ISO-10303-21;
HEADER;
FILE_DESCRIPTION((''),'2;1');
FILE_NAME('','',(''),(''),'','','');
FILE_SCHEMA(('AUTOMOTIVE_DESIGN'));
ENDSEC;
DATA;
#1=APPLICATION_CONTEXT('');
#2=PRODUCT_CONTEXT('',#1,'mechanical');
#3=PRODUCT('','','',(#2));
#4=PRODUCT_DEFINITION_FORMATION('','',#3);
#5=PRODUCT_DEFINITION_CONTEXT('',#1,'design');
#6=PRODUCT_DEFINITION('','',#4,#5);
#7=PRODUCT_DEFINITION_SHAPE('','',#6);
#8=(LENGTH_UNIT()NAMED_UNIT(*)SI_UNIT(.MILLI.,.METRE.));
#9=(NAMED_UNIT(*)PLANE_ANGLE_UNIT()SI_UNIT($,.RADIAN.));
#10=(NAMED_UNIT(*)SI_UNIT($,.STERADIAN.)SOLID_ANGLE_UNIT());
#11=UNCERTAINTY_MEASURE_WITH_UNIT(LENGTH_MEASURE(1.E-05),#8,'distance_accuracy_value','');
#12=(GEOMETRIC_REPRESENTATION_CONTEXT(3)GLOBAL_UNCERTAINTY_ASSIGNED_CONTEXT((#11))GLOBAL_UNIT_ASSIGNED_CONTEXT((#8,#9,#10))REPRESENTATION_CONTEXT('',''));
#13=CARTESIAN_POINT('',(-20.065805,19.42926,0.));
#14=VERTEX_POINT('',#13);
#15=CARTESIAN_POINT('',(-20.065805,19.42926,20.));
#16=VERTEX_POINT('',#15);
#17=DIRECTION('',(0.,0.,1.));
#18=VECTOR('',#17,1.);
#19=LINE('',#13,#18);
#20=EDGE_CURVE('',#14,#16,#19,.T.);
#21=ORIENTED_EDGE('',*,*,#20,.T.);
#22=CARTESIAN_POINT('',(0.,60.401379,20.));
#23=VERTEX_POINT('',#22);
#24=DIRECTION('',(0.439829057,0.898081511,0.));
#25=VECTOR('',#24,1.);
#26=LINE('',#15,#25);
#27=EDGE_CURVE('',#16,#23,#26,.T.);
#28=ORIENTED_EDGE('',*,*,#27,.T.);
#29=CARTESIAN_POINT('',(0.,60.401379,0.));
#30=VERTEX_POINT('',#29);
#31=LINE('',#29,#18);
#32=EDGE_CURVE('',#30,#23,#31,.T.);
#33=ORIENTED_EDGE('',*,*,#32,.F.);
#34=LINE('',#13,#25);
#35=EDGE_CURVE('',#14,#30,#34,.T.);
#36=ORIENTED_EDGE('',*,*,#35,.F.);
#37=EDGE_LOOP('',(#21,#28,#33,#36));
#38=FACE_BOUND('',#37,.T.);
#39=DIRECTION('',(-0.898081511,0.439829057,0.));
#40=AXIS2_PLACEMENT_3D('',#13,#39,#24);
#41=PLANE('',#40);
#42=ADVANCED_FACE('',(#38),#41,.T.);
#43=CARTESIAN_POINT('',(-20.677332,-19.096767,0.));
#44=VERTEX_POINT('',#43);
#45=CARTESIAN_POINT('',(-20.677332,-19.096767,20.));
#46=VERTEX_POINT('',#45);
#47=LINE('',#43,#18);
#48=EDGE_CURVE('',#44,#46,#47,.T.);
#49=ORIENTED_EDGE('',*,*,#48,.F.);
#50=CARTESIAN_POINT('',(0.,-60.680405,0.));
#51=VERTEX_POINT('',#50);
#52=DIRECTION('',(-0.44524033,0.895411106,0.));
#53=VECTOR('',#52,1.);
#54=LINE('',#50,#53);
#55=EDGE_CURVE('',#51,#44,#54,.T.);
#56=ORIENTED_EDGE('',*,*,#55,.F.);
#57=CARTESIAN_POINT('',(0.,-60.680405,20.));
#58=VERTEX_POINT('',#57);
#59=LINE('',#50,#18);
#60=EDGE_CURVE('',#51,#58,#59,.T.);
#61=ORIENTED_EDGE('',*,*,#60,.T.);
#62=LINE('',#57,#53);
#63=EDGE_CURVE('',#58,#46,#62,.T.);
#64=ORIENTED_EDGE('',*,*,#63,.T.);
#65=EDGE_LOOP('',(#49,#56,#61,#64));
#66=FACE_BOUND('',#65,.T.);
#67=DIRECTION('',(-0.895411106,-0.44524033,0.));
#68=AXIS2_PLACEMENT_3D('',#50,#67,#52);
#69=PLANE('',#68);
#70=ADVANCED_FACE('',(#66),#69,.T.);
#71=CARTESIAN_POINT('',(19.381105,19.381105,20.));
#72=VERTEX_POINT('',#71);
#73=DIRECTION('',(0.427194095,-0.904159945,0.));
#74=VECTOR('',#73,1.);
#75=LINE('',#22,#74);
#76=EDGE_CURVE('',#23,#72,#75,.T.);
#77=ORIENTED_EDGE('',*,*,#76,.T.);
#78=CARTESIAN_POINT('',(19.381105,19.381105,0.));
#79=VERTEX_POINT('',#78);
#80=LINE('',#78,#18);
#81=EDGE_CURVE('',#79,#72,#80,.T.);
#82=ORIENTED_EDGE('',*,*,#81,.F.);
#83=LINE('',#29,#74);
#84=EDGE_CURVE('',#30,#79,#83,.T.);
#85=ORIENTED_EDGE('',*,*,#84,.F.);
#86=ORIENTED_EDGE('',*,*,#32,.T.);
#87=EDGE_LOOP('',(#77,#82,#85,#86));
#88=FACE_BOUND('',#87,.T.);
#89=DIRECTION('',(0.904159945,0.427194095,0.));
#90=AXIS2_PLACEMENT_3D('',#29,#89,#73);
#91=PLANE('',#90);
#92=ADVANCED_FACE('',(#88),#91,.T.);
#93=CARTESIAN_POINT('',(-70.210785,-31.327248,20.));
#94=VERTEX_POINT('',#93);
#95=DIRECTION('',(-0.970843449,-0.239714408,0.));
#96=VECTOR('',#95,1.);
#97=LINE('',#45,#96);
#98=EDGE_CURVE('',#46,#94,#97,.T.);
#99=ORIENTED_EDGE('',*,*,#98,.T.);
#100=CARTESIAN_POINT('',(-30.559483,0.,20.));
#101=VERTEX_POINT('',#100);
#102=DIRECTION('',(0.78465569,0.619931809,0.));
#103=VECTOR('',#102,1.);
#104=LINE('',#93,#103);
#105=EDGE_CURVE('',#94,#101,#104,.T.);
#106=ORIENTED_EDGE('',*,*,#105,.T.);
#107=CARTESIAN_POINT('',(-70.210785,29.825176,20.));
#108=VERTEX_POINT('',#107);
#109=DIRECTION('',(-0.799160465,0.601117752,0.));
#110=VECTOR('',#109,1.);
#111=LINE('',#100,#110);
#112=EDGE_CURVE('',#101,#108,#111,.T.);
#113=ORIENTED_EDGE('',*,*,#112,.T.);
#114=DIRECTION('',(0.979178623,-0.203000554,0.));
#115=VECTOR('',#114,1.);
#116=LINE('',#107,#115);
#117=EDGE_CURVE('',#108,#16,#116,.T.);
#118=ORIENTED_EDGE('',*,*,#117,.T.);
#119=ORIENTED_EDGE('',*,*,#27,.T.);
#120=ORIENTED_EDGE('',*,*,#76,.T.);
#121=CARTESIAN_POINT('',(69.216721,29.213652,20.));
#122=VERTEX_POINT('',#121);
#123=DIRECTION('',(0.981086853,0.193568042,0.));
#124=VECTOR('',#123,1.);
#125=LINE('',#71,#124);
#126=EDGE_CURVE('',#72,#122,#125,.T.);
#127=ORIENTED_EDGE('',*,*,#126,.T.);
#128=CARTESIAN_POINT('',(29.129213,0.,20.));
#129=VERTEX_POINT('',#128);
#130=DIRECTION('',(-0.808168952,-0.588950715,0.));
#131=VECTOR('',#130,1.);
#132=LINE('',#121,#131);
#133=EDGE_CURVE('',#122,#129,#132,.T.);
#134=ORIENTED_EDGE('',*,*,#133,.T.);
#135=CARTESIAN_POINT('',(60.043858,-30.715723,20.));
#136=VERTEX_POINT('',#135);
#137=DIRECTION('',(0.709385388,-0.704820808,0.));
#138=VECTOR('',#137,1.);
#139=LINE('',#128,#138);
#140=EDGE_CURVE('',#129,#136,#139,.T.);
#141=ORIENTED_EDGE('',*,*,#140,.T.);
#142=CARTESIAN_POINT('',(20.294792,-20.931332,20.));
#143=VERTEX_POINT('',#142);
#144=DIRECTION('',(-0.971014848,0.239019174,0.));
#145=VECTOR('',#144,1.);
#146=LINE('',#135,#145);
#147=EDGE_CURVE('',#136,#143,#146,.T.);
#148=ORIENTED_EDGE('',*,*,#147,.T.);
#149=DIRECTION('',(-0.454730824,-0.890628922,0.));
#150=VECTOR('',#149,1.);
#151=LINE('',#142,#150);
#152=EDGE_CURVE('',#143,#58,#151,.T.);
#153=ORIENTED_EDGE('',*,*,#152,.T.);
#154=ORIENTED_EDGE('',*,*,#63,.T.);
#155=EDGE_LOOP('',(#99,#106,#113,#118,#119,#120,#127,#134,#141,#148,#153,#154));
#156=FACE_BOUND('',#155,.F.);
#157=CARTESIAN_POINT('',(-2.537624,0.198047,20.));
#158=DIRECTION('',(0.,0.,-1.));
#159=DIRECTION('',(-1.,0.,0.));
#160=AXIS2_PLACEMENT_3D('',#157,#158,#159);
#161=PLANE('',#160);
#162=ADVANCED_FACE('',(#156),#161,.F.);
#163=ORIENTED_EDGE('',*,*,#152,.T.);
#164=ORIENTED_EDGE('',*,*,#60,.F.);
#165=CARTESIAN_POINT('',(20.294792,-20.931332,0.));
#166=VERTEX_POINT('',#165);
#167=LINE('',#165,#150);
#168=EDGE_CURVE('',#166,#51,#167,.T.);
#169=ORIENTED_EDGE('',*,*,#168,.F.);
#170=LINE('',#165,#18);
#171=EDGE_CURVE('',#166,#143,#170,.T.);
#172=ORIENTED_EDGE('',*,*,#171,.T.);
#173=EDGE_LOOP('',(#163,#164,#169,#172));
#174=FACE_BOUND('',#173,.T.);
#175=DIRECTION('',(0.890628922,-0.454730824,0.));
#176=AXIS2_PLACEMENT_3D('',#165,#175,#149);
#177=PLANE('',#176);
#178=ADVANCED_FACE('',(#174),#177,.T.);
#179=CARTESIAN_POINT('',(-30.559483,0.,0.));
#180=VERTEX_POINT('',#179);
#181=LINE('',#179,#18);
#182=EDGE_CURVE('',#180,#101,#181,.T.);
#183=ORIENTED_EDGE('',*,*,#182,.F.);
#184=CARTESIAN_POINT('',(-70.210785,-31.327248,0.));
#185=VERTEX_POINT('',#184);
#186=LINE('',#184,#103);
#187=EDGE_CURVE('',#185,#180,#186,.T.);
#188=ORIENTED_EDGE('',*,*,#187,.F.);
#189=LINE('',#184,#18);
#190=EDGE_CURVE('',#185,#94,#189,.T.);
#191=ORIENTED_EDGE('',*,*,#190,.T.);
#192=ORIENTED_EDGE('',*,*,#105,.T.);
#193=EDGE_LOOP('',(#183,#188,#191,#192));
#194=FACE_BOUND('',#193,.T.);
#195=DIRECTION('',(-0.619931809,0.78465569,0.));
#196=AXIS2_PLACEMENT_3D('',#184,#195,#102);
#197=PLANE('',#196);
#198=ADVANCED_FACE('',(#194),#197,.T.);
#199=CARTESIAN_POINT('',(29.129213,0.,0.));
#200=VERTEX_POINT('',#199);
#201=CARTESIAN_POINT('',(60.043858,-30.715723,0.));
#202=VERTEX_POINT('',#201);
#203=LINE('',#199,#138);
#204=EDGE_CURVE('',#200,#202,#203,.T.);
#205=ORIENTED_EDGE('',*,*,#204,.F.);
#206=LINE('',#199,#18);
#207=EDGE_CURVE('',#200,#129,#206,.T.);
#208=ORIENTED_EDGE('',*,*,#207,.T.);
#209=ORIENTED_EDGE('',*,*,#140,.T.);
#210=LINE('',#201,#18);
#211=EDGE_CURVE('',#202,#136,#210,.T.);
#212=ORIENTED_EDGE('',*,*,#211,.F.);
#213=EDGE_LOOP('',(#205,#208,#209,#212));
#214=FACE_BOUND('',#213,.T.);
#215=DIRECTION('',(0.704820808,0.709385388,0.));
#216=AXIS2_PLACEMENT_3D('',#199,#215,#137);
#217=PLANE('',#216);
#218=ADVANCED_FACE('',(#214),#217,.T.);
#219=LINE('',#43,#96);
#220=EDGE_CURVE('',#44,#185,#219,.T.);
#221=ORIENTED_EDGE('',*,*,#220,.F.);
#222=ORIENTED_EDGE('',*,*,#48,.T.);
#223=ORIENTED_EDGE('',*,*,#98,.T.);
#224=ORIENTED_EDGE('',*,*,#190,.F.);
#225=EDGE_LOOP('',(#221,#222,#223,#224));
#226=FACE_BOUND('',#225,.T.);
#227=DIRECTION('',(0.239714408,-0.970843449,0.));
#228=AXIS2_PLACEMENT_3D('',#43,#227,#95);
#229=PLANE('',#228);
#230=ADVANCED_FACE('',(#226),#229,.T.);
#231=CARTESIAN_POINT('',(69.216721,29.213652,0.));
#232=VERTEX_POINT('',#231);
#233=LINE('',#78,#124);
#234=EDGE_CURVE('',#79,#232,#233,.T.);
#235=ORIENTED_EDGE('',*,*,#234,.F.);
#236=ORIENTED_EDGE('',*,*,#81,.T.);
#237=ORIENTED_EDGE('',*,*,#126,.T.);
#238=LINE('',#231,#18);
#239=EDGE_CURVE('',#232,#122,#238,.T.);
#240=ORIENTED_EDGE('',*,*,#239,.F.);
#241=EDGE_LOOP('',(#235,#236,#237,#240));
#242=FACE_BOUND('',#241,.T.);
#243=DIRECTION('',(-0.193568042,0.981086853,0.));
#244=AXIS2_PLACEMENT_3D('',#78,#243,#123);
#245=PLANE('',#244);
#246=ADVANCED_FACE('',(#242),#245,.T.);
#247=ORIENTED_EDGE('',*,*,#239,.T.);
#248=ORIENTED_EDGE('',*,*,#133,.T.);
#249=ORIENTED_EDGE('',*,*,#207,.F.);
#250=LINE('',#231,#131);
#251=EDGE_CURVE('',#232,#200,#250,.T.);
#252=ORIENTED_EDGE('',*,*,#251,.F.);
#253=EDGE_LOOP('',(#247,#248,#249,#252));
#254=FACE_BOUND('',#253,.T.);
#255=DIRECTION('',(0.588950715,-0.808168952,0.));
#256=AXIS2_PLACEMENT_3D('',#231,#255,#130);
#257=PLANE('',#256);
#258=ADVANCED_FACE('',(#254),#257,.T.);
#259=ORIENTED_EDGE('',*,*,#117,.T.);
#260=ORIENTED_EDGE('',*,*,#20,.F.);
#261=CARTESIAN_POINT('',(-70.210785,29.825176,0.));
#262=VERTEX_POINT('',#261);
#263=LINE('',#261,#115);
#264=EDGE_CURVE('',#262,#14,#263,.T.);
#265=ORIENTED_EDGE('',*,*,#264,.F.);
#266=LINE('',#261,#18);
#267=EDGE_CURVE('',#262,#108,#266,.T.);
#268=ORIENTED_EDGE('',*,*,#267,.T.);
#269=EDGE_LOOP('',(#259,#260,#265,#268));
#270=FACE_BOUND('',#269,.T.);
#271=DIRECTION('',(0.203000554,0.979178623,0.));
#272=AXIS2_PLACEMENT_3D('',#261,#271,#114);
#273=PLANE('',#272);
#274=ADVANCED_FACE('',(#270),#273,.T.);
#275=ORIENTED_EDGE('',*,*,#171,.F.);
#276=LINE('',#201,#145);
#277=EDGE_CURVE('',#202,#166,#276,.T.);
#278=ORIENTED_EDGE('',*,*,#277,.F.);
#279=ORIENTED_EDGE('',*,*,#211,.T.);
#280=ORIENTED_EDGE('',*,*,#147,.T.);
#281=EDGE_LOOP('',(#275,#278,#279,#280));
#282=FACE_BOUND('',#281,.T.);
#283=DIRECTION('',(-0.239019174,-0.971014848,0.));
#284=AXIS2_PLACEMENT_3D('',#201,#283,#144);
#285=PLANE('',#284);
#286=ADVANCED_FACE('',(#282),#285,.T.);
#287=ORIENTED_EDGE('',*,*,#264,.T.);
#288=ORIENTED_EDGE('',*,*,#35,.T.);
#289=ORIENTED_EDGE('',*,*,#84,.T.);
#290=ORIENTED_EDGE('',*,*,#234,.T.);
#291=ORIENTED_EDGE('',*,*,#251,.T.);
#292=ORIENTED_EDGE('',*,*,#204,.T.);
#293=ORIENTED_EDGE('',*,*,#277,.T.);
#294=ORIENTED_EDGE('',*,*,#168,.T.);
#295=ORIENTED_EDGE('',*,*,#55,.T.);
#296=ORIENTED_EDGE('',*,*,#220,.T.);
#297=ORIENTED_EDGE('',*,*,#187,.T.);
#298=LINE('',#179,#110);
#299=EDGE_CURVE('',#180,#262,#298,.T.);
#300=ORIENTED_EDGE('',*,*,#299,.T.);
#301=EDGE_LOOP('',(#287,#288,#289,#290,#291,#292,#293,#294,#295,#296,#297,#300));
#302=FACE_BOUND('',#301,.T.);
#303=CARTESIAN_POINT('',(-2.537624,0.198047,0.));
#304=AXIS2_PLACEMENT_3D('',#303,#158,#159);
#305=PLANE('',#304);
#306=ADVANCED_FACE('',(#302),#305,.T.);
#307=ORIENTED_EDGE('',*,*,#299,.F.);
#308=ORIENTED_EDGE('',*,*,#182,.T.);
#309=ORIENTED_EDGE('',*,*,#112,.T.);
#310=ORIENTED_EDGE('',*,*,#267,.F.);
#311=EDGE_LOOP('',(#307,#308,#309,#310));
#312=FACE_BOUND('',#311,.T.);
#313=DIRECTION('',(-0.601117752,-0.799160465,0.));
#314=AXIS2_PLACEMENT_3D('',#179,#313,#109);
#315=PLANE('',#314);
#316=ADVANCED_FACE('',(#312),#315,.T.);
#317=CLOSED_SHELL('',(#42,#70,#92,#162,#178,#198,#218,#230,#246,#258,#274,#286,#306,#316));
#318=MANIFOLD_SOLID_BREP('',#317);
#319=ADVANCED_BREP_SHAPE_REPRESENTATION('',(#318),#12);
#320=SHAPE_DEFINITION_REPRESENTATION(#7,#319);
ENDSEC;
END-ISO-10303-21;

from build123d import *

# Parameters (mm, degrees)
PAD_DEPTH = 20


with BuildPart() as part:
    # Sketch → Pad (new body)
    with BuildSketch(Plane.XY):
        Polygon((0, 60.401379), (19.381105, 19.381105), (69.216721, 29.213652), (29.129213, 0), (60.043858, -30.715723), (20.294792, -20.931332), (0, -60.680405), (-20.677332, -19.096767), (-70.210785, -31.327248), (-30.559483, 0), (-70.210785, 29.825176), (-20.065805, 19.42926), align=None)
    extrude(amount=PAD_DEPTH)


solid = part.part
